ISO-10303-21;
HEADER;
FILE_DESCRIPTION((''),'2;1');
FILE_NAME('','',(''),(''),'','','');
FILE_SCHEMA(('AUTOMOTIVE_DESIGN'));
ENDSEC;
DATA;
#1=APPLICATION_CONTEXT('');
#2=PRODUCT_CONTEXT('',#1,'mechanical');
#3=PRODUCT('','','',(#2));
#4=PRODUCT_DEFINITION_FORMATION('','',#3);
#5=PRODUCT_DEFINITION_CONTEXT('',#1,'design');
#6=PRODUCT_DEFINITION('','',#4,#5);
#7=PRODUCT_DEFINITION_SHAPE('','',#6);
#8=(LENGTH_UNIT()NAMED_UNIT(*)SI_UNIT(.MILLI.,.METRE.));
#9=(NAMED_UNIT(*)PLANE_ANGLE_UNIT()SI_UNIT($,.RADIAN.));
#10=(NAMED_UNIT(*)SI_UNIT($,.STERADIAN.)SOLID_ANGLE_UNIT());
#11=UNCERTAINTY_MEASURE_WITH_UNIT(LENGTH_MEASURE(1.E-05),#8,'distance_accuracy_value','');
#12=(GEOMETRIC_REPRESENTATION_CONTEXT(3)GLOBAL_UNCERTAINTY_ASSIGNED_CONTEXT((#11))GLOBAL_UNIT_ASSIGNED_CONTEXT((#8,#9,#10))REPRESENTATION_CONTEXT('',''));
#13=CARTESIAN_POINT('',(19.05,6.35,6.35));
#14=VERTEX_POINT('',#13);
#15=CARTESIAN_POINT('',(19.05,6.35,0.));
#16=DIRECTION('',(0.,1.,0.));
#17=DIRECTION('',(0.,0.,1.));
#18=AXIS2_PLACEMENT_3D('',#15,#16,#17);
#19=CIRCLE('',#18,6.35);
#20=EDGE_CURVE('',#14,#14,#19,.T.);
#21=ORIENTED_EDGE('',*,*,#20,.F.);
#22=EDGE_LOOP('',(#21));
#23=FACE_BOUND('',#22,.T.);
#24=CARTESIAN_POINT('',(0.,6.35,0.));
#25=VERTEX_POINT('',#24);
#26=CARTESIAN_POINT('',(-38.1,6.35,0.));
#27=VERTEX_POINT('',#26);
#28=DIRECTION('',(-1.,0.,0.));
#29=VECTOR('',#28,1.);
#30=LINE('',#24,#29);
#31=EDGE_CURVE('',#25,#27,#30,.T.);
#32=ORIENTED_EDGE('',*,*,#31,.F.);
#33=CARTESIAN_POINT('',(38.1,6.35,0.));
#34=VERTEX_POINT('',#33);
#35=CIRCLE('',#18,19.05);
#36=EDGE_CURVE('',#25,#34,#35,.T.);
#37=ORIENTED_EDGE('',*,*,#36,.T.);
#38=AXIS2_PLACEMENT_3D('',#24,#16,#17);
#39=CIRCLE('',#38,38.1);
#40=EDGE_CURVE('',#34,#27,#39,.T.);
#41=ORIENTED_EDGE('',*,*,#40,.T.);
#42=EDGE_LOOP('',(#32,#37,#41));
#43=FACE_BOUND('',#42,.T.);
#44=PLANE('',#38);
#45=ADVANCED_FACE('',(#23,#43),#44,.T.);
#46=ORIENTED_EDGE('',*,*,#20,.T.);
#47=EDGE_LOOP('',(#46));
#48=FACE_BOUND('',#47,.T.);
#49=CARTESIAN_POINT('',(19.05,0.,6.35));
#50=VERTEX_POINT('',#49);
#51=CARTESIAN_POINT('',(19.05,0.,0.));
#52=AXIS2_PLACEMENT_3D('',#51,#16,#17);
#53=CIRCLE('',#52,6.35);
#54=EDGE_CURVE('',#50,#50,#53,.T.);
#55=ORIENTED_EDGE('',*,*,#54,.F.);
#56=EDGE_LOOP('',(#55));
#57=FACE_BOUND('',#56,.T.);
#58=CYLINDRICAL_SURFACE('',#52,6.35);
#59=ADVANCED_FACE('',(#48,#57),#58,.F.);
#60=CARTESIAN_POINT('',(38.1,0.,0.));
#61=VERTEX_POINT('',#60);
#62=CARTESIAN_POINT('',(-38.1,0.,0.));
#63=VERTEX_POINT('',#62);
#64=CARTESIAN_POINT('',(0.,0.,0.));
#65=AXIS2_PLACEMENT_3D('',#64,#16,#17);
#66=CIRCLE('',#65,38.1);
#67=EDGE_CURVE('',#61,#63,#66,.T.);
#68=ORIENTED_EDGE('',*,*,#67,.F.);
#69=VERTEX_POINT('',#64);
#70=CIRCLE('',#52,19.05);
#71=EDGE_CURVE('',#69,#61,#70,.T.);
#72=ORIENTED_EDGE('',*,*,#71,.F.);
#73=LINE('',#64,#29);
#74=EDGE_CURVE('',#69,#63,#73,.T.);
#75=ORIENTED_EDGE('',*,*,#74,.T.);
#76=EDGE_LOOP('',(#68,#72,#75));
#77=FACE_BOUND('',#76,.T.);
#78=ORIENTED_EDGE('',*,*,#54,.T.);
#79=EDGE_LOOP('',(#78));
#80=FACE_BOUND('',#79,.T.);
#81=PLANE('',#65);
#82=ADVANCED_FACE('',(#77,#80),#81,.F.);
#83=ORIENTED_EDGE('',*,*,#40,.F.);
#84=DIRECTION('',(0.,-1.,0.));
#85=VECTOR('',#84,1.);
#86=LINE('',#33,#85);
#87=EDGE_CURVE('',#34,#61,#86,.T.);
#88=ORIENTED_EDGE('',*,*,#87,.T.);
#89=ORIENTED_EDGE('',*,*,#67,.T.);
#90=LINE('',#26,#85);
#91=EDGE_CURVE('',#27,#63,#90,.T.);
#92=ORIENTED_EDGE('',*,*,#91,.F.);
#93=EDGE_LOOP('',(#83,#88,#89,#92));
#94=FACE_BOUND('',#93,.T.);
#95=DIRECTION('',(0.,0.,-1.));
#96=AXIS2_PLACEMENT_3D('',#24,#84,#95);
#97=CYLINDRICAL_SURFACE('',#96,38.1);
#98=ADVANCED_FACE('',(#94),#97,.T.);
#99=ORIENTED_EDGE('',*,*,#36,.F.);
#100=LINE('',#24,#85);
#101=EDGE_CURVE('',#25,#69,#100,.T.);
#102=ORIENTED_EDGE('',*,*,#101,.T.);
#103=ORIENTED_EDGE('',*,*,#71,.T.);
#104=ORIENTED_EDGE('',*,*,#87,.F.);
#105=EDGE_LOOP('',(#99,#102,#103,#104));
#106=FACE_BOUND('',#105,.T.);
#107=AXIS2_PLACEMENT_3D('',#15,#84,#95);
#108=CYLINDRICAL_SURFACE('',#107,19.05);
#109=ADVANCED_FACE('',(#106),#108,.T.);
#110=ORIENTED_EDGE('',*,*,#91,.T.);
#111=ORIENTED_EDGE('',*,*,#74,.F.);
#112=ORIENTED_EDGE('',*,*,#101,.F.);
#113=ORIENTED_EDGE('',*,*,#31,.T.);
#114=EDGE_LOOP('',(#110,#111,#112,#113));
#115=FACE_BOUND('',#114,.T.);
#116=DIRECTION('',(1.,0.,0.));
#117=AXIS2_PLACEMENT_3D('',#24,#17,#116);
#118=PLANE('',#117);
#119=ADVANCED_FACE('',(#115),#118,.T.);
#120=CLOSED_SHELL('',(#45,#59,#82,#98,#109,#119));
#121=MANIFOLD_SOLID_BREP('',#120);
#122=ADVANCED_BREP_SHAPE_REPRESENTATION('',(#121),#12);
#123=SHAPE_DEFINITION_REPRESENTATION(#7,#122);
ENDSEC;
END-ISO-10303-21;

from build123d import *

# Parameters (mm, degrees)
BOSS_EXTRUDE2_DEPTH = 6.35
SKETCH3_R           = 6.35
CUT_EXTRUDE1_DEPTH  = 6.35


with BuildPart() as part:
    # Sketch2 → Boss-Extrude2 (new body)
    with BuildSketch(Plane(origin=(0, 0, 0), x_dir=(1, 0, 0), z_dir=(0, 1, 0))):
        with BuildLine():
            Line((0, 0), (0, 38.1))
            ThreePointArc((0, 38.1), (-26.940768363, 26.940768363), (-38.1, 0))
            Line((-38.1, 0), (0, 0))
        make_face()
        with BuildLine():
            Line((19.05, 0), (38.1, 0))
            ThreePointArc((38.1, 0), (26.940768363, 26.940768363), (0, 38.1))
            Line((0, 38.1), (0, 0))
            Line((0, 0), (19.05, 0))
        make_face()
        with BuildLine():
            Line((19.05, -19.05), (19.05, 0))
            Line((19.05, 0), (38.1, 0))
            ThreePointArc((38.1, 0), (32.520384182, -13.470384182), (19.05, -19.05))
        make_face()
        with BuildLine():
            Line((0, 0), (19.05, 0))
            Line((19.05, 0), (19.05, -19.05))
            ThreePointArc((19.05, -19.05), (5.579615818, -13.470384182), (0, 0))
        make_face()
    extrude(amount=BOSS_EXTRUDE2_DEPTH)

    # Sketch3 → Cut-Extrude1 (cut)
    with BuildSketch(Plane(origin=(0, 6.35, 0), x_dir=(1, 0, 0), z_dir=(0, 1, 0))):
        with Locations(Location((19.05, 0, 0), (0, 0, 270))):
            Circle(SKETCH3_R)
    extrude(amount=-CUT_EXTRUDE1_DEPTH, mode=Mode.SUBTRACT)


solid = part.part
